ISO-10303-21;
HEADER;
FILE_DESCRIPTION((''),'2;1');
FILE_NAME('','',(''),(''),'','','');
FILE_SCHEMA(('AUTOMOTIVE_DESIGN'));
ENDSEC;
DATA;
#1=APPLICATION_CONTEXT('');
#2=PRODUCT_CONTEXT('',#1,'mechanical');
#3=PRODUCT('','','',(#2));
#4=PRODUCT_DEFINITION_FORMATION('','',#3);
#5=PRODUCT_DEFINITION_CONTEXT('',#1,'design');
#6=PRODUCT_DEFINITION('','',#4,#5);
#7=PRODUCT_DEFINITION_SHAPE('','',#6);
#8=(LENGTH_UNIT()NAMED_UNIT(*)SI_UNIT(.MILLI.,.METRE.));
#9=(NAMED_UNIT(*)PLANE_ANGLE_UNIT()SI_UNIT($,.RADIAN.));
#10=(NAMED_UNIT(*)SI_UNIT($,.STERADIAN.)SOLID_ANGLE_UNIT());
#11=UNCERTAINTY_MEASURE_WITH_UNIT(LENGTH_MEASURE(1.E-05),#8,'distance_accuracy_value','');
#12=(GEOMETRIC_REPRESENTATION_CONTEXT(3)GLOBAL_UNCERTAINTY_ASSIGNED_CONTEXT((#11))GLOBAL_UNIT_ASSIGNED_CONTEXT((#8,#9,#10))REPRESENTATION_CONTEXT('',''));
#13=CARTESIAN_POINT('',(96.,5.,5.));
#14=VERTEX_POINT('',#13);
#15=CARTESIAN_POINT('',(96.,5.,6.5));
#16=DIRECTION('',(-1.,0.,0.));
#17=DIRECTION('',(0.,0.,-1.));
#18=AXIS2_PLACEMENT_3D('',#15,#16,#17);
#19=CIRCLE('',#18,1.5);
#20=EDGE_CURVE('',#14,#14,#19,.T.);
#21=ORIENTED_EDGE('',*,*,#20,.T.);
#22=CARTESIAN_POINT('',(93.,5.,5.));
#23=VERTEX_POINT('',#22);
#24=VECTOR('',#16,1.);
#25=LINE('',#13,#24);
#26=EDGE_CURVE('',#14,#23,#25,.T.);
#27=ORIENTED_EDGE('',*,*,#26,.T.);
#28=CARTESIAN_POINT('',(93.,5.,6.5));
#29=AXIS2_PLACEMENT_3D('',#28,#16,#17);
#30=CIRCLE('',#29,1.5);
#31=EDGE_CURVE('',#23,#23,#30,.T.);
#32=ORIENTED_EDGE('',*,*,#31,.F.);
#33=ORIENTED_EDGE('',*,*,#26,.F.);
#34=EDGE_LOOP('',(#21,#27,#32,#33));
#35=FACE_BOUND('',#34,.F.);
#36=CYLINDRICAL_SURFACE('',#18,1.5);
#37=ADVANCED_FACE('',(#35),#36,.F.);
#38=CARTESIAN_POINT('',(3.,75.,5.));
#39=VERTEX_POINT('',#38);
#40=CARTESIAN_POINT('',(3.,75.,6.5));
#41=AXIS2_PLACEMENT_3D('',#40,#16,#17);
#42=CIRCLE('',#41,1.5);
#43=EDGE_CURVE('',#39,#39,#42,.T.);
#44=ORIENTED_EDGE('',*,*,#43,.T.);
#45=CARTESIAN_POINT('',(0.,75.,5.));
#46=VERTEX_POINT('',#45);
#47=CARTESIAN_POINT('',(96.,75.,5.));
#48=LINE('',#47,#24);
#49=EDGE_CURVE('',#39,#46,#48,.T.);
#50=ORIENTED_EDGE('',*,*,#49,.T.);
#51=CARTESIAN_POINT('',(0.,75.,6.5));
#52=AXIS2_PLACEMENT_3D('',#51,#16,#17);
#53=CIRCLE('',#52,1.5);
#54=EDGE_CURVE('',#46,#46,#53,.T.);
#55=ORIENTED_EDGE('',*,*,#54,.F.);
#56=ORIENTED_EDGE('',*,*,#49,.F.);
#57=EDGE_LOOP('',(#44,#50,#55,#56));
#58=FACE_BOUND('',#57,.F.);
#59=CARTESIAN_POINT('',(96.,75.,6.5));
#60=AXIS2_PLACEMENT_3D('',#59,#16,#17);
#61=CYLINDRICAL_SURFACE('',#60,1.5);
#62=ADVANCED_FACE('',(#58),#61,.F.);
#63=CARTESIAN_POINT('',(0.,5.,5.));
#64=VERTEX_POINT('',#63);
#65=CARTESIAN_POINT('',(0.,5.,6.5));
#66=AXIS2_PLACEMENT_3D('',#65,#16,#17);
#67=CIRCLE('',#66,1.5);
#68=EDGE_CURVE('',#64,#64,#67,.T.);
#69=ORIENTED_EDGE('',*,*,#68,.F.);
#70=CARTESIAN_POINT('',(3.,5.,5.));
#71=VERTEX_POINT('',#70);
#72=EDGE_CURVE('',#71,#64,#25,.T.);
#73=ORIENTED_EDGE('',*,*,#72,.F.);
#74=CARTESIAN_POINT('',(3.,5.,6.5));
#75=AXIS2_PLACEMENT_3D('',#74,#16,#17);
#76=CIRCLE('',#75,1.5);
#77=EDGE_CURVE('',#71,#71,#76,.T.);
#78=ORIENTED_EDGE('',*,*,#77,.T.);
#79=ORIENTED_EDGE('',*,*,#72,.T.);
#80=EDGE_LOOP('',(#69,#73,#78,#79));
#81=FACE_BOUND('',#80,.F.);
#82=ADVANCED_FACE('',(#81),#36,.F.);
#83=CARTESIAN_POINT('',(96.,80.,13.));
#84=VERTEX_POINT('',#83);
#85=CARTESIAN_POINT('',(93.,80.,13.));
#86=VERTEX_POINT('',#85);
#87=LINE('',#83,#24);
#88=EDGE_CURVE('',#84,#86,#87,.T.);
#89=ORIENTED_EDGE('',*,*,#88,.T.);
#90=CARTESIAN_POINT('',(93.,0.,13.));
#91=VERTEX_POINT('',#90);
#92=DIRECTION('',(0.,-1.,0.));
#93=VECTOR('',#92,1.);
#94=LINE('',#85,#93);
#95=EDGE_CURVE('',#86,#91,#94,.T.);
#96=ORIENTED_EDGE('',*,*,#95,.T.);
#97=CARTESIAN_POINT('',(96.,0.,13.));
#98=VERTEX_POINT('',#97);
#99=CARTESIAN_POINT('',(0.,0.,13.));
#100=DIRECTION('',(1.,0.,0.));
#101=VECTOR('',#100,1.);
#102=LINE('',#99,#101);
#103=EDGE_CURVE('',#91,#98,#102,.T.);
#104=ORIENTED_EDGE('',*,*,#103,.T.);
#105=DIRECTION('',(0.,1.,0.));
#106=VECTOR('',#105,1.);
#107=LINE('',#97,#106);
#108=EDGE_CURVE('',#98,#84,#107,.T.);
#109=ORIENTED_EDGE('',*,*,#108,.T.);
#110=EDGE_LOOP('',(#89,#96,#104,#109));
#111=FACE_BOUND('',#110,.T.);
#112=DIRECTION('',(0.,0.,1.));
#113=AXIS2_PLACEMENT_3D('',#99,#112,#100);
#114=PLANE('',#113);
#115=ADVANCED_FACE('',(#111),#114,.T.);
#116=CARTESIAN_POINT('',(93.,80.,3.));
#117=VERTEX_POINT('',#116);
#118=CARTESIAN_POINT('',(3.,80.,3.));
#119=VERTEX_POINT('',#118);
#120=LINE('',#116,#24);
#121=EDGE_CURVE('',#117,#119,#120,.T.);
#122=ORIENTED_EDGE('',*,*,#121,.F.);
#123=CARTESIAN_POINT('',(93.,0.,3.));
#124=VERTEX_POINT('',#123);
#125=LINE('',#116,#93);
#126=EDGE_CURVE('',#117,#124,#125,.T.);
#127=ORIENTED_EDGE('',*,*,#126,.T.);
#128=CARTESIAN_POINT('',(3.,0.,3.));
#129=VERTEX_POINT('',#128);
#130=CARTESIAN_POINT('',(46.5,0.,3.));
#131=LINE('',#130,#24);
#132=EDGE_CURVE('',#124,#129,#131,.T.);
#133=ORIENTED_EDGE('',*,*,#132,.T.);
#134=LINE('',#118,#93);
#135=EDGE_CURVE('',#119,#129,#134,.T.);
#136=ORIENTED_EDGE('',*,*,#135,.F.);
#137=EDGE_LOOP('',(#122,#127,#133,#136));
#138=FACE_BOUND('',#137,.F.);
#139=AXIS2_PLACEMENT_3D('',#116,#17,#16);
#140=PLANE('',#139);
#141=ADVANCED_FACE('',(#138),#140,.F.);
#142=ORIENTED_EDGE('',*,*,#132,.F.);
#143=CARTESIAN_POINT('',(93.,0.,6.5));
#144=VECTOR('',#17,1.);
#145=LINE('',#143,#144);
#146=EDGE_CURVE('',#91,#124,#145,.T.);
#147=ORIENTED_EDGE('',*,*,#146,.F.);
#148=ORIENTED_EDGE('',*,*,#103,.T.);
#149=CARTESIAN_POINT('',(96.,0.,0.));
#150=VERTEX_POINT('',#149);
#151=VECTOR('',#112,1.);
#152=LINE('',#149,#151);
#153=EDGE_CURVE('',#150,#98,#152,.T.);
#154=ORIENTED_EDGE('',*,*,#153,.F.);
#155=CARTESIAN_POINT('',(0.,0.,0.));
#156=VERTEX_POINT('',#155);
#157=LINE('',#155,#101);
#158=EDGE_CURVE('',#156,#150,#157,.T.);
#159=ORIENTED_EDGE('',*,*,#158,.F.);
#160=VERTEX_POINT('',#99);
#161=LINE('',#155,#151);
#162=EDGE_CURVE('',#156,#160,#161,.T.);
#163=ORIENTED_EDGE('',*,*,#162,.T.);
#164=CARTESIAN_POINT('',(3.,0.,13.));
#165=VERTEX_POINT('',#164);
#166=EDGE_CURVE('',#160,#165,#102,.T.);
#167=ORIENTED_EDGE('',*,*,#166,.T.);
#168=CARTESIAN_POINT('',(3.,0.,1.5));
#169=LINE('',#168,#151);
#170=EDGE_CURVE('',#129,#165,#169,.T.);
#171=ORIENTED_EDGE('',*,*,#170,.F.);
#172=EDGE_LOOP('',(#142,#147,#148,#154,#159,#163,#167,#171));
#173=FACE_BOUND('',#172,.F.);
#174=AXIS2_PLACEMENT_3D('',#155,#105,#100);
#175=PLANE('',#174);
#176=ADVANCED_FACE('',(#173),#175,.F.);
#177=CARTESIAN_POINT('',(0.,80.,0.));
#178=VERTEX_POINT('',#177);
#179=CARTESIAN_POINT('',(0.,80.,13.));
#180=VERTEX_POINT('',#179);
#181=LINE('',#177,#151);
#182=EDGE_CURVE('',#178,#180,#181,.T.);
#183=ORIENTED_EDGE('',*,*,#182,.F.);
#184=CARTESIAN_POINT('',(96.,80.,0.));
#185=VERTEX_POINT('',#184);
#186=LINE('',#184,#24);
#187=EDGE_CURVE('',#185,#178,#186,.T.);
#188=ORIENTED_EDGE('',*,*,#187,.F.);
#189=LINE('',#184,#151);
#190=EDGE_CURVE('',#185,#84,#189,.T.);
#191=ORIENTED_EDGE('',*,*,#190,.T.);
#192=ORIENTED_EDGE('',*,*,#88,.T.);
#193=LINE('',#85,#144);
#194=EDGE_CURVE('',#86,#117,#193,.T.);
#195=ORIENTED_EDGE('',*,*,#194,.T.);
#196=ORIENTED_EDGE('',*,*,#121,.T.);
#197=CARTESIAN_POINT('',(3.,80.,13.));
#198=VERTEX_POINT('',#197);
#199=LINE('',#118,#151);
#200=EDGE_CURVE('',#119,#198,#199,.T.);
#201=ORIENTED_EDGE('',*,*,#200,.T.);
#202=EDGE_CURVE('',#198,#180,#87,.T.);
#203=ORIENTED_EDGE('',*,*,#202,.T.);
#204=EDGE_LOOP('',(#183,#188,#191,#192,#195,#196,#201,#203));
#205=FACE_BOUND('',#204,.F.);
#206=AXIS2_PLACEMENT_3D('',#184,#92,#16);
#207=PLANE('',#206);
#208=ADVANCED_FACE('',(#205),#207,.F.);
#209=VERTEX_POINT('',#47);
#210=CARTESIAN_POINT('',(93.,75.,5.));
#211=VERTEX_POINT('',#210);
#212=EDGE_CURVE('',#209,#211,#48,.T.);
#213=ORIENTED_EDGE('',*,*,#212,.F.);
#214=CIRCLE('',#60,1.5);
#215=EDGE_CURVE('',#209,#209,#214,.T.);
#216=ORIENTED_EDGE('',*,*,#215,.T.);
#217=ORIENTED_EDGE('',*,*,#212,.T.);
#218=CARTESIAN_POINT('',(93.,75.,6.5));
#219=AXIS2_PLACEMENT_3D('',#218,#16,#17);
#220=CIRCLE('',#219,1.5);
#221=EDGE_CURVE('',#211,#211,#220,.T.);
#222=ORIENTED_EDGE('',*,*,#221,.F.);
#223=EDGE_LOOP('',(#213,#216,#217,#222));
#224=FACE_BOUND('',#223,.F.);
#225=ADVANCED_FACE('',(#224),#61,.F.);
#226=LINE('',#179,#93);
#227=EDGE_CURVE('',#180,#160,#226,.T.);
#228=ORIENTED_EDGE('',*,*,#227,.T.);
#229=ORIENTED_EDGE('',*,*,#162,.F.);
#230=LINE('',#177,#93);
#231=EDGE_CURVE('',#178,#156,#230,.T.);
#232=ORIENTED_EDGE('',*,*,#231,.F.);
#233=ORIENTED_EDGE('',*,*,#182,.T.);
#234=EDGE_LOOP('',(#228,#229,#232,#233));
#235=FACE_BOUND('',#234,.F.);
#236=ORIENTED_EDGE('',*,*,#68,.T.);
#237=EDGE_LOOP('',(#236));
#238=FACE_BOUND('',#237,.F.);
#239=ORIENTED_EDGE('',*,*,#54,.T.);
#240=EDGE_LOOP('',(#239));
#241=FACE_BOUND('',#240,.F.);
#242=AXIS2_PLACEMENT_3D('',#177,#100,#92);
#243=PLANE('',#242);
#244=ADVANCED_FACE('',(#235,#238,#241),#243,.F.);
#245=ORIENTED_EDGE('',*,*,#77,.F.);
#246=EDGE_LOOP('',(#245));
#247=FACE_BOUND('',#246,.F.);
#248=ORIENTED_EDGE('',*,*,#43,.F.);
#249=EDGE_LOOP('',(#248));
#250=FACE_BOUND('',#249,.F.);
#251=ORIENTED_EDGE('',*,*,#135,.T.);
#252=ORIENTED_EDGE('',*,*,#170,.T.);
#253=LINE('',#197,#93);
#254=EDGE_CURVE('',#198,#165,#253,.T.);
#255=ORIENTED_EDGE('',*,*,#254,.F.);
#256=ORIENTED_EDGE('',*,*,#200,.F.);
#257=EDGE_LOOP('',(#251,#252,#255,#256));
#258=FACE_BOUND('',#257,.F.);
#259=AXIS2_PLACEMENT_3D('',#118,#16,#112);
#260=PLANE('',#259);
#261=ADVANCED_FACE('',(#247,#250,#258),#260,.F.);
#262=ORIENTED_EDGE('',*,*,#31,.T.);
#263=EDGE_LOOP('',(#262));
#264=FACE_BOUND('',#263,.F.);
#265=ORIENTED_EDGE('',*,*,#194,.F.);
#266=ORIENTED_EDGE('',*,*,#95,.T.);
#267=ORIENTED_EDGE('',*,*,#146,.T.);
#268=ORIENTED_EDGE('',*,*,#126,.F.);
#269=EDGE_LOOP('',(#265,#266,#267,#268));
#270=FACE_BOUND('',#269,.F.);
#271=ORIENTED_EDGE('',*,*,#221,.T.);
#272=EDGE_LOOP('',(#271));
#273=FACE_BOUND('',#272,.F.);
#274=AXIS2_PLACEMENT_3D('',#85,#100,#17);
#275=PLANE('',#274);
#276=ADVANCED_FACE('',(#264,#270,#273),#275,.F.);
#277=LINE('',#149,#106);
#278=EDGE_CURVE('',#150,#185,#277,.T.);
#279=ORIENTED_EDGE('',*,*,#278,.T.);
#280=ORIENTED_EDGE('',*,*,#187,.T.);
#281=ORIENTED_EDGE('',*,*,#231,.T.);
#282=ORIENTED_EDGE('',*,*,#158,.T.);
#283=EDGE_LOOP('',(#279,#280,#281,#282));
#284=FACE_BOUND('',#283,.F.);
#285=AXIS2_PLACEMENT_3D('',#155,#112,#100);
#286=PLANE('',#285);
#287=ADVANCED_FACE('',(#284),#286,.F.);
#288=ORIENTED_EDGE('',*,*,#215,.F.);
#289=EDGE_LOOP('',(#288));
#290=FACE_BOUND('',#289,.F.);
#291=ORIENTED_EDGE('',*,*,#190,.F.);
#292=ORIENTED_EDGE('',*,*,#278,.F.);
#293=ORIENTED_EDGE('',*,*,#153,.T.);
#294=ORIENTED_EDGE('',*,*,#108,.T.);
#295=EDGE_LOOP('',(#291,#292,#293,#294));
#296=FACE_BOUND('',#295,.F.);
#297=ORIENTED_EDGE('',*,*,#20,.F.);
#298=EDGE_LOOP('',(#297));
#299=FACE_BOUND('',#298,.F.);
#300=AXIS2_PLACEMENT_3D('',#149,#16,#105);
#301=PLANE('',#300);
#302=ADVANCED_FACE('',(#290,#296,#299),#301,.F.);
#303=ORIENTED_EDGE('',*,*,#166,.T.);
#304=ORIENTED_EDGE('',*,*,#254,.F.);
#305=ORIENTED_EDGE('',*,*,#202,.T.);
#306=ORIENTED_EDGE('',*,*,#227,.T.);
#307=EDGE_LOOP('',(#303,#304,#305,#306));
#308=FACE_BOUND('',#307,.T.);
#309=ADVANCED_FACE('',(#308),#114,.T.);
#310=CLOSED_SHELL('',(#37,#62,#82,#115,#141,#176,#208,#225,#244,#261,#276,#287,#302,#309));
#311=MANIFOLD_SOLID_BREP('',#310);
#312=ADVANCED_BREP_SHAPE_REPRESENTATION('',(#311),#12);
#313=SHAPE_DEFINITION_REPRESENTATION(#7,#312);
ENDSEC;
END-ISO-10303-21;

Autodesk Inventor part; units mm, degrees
ref_plane "YZ Plane" through (0, 0, 0) normal (1, 0, 0) x (0, 1, 0)
ref_plane "XZ Plane" through (0, 0, 0) normal (0, 1, 0) x (-1, 0, 0)
ref_plane "XY Plane" through (0, 0, 0) normal (0, 0, 1) x (1, 0, 0)
sketch "Sketch1" plane through (0, 0, 0) normal (0, 0, 1) x (1, 0, 0)
  line L0 (0, 0) -> (96, 0)
  line L1 (96, 0) -> (96, 80)
  line L2 (96, 80) -> (0, 80)
  line L3 (0, 80) -> (0, 0)
  dimension "d0" = 96
  dimension "d1" = 80
extrude "Extrusion1" add sketch "Sketch1" along normal blind 13
sketch "Sketch2" plane through (0, 80, 0) normal (0, 1, 0) x (1, 0, 0)
  line L0 (3, -13) -> (93, -13)
  line L1 (93, -13) -> (93, -3)
  line L2 (93, -3) -> (3, -3)
  line L3 (3, -3) -> (3, -13)
  line L4 (0, 0) -> (0, -13) projected
  line L5 (96, 0) -> (0, 0) projected
  line L6 (96, 0) -> (96, -13) projected
  dimension "d4" = 3
  dimension "d5" = 3
  dimension "d6" = 3
extrude "Extrusion2" cut sketch "Sketch2" against normal through all
sketch "Sketch3" plane through (96, 0, 0) normal (1, 0, 0) x (0, 0, -1)
  line L0 (0, 80) -> (-13, 80) construction
  line L1 (-6.5, 80) -> (-6.5, 0) construction
  line L2 (0, 0) -> (-13, 0) construction
  line L3 (-13, 0) -> (-13, 80) construction
  line L4 (0, 0) -> (0, 80) projected
  point P0 (-6.5, 75)
  point P1 (-6.5, 5)
  dimension "d17" = 70
  dimension "d18" = 5
  dimension "d19" = 6.5
hole "Hole1" at (96, 75, 6.5) at (96, 5, 6.5) direction (-1, 0, 0) diameter 3 end through all
properties part number "Mirror_shell_adapter"
